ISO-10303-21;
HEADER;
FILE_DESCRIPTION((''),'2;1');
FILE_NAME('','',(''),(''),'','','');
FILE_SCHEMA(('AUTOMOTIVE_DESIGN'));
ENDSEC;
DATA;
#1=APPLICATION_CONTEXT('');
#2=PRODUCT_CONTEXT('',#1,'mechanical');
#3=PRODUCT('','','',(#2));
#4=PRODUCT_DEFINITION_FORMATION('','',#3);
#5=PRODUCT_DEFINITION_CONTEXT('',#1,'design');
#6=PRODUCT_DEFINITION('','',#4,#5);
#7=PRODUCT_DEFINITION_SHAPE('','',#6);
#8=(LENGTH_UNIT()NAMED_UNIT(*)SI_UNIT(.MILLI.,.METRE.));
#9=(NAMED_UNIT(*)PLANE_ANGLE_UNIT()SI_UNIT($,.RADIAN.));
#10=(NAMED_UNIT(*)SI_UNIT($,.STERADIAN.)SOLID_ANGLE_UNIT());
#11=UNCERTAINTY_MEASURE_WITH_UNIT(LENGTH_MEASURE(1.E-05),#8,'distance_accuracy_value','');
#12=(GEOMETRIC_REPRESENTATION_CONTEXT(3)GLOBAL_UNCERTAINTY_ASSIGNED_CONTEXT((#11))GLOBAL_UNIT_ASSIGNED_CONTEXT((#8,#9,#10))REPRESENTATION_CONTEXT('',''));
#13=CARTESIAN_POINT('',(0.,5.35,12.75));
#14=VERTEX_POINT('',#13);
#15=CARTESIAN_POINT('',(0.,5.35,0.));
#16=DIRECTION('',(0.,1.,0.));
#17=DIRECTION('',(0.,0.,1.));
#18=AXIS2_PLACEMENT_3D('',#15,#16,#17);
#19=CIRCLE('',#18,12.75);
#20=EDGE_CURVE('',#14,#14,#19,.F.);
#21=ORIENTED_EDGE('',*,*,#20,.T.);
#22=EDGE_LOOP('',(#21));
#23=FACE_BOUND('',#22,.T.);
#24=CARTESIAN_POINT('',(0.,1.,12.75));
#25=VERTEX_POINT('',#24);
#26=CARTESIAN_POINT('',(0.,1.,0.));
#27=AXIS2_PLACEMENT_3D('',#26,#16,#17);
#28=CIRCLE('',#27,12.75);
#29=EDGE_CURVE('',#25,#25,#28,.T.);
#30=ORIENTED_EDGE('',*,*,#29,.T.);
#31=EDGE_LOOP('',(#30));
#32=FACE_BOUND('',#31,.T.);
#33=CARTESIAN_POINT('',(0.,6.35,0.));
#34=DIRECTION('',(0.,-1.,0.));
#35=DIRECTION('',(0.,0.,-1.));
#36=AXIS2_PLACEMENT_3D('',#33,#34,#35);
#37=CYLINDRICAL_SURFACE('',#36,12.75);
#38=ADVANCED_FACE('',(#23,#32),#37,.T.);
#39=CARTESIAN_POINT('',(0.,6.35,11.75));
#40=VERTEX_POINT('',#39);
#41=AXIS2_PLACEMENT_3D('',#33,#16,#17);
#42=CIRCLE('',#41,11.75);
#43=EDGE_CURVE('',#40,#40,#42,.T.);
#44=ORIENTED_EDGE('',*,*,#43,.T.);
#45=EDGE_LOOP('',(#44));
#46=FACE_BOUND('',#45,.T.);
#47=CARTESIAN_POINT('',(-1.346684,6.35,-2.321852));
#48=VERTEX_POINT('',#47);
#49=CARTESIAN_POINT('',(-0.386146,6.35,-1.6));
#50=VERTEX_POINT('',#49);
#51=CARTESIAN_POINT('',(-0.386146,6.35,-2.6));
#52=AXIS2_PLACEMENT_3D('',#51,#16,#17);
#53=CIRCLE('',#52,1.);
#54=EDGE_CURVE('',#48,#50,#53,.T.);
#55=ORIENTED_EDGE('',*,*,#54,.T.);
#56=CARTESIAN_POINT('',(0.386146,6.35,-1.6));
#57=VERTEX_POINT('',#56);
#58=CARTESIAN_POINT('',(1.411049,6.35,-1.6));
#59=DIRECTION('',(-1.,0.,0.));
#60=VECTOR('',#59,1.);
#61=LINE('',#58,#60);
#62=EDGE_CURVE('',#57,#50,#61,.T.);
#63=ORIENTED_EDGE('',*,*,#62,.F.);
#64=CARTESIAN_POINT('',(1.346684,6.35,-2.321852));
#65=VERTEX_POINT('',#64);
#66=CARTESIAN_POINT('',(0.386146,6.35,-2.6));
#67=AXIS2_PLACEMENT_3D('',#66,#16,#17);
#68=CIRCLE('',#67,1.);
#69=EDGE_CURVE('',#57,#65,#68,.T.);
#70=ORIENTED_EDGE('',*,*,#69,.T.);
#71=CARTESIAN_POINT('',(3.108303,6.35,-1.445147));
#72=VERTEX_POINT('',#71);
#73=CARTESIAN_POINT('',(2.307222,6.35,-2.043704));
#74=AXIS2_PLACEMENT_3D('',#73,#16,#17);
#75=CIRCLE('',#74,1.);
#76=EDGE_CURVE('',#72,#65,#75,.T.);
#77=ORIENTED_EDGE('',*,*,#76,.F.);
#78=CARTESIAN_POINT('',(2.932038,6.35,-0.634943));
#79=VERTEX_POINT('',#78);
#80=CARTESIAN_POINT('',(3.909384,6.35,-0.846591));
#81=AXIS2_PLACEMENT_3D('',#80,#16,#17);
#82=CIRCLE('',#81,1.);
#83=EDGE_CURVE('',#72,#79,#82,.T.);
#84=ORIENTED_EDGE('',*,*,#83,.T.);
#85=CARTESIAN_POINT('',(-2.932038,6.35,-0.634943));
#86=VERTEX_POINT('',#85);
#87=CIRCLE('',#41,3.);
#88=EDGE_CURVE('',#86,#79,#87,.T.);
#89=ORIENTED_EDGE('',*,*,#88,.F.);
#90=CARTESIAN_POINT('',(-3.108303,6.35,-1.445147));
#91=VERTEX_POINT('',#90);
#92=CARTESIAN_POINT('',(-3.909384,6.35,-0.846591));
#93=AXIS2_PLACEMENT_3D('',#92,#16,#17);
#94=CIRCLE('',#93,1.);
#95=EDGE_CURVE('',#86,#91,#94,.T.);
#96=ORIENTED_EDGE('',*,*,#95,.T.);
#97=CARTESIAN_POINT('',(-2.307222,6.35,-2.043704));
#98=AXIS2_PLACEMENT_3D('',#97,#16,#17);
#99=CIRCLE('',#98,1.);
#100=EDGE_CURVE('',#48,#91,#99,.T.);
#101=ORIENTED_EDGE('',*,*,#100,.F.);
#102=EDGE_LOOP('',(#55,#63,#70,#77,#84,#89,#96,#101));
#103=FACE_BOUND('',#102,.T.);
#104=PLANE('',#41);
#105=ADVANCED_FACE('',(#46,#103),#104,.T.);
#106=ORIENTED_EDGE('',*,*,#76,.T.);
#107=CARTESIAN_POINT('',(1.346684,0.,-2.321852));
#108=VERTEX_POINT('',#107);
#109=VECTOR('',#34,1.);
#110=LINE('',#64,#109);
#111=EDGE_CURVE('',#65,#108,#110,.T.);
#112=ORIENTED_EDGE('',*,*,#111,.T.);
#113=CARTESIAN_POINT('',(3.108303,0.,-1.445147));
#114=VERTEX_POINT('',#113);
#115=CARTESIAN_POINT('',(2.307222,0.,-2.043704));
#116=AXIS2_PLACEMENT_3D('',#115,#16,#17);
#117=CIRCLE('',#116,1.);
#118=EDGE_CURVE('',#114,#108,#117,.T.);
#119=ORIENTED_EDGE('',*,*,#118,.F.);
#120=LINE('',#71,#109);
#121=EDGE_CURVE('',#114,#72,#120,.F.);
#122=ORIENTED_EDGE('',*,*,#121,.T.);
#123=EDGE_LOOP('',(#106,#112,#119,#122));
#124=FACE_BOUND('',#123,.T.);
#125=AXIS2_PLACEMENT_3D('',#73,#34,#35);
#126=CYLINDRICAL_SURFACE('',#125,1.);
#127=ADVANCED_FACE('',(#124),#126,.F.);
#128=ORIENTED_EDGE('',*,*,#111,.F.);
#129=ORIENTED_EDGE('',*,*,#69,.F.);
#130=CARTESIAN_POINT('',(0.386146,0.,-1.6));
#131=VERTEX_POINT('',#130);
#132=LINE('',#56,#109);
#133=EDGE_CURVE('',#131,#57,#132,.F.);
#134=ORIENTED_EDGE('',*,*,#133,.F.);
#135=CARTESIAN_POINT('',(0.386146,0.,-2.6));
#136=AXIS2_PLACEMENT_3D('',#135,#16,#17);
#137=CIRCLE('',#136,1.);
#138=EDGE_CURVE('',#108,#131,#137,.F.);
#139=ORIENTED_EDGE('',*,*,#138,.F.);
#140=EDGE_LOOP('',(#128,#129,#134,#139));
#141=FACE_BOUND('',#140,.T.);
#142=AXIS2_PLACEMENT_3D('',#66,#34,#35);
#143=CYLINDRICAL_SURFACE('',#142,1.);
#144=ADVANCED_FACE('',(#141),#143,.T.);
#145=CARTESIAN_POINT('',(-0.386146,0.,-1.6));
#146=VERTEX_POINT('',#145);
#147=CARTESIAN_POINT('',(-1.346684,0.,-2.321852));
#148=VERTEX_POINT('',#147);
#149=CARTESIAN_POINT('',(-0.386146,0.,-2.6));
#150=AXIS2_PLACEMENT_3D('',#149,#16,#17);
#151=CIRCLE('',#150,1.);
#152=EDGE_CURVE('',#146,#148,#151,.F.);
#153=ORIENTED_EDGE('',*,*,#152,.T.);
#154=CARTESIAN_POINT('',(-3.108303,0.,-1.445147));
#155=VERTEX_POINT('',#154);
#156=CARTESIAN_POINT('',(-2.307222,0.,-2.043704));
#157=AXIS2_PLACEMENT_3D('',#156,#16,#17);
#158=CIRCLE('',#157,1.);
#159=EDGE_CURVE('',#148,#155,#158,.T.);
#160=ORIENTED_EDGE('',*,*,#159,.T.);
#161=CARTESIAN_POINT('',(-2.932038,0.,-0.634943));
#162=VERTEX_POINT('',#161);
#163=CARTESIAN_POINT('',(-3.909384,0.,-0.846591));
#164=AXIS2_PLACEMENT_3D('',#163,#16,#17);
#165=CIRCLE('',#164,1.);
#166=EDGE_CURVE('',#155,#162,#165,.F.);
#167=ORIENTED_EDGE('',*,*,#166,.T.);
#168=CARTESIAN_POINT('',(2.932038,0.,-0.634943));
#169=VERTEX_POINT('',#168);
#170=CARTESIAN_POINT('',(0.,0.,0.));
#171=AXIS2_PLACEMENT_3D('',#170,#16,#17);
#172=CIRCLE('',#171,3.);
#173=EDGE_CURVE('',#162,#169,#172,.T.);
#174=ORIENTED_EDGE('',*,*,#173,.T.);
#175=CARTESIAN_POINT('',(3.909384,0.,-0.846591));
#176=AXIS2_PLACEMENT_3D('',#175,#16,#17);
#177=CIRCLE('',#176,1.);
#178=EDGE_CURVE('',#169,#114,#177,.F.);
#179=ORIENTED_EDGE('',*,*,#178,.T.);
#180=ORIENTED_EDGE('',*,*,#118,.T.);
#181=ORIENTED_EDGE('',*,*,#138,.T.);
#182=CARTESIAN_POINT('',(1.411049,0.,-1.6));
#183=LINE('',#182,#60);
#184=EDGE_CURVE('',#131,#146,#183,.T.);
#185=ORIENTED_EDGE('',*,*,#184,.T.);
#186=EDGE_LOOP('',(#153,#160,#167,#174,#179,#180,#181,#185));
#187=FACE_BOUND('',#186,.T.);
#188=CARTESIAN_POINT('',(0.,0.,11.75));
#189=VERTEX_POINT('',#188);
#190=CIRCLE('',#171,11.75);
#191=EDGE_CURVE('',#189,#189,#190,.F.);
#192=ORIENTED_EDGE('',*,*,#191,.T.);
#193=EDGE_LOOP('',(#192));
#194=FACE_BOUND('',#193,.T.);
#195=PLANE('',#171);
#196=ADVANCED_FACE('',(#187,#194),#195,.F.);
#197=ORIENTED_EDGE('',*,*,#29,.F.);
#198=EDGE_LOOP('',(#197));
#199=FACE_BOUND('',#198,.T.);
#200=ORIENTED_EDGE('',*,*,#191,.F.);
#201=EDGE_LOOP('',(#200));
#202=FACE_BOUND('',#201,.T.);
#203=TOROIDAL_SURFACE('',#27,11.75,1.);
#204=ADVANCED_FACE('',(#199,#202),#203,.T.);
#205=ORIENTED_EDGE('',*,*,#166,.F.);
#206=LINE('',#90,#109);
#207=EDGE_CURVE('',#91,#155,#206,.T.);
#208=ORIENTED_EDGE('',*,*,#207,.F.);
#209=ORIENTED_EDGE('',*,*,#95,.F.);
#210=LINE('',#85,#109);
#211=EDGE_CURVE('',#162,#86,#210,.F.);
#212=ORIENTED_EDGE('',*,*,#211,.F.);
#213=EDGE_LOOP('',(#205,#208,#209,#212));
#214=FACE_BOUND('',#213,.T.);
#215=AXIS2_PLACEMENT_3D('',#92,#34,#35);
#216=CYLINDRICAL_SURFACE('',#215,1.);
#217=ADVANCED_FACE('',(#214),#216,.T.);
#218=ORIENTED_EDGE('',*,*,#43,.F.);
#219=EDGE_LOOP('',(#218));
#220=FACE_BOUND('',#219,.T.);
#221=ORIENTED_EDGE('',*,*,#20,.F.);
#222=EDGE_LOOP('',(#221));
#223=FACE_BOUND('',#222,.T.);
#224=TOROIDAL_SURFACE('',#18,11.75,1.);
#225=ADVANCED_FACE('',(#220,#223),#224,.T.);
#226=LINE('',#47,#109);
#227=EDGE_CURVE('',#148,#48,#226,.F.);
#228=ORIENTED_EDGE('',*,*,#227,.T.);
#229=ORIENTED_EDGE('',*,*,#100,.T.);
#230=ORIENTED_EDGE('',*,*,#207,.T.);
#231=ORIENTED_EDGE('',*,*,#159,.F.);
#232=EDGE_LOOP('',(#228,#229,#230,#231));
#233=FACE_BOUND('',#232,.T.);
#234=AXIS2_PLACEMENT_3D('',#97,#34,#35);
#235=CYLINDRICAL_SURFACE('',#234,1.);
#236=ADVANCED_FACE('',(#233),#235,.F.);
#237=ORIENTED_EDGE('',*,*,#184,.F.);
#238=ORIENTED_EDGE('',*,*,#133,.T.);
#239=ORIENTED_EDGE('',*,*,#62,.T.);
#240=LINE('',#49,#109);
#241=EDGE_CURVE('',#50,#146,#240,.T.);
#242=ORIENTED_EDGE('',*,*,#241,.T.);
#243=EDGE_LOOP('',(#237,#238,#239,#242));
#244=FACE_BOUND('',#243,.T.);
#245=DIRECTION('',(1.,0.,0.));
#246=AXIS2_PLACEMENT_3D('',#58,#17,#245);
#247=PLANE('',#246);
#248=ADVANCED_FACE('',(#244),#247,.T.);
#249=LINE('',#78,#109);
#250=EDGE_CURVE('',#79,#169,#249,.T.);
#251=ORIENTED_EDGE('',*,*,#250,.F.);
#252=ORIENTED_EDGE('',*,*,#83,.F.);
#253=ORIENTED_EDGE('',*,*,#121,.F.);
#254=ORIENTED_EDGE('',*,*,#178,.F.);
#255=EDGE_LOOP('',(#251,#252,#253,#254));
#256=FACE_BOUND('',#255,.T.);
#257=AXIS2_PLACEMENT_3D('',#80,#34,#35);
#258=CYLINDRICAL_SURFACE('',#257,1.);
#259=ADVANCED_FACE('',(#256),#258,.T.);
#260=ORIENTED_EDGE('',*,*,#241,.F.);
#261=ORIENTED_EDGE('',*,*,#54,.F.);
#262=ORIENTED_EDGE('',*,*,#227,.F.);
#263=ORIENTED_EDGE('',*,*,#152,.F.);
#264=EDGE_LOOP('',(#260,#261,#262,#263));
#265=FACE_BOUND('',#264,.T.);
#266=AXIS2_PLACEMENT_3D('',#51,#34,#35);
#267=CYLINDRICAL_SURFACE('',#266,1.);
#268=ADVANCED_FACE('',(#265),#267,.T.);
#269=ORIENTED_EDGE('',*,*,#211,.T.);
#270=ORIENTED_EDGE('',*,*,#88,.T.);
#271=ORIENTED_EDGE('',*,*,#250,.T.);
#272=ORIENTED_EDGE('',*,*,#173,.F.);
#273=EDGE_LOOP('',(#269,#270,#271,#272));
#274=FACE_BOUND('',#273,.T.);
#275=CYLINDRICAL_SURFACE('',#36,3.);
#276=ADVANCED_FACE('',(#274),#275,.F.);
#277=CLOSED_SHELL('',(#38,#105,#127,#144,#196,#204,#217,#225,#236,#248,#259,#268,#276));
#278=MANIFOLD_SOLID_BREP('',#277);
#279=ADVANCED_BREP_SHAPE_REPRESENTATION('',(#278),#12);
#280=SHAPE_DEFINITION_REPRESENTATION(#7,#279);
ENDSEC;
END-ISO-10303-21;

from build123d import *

# Parameters (mm, degrees)
SKETCH1_R           = 12.75
BOSS_EXTRUDE1_DEPTH = 6.35
FILLET1_R           = 1
FILLET2_R           = 1


with BuildPart() as part:
    # Sketch1 → Boss-Extrude1 (new body)
    with BuildSketch(Plane(origin=(0, 0, 0), x_dir=(1, 0, 0), z_dir=(0, 1, 0))):
        with Locations(Location((0, 0, 0), (0, 0, 270))):
            Circle(SKETCH1_R)
        with BuildLine():
            Line((1.411048864, 1.6), (-1.411048864, 1.6))
            ThreePointArc((-1.411048864, 1.6), (-2.617971935, 2.994195507), (-2.768208587, 1.156296337))
            ThreePointArc((-2.768208587, 1.156296337), (0, -3), (2.768208587, 1.156296337))
            ThreePointArc((2.768208587, 1.156296337), (2.617971935, 2.994195507), (1.411048864, 1.6))
        make_face(mode=Mode.SUBTRACT)
    extrude(amount=BOSS_EXTRUDE1_DEPTH)

    # Fillet1
    fillet1_edges = [part.edges().sort_by_distance(p)[0] for p in [
        (2.768208587, 3.175, -1.156296337),
        (1.411048864, 3.175, -1.6),
        (-1.411048864, 3.175, -1.6),
        (-2.768208587, 3.175, -1.156296337),
    ]]
    fillet(fillet1_edges, radius=FILLET1_R)

    # Fillet2
    fillet2_edges = [part.edges().sort_by_distance(p)[0] for p in [
        (0, 0, -12.75),
        (0, 6.35, -12.75),
    ]]
    fillet(fillet2_edges, radius=FILLET2_R)


solid = part.part
